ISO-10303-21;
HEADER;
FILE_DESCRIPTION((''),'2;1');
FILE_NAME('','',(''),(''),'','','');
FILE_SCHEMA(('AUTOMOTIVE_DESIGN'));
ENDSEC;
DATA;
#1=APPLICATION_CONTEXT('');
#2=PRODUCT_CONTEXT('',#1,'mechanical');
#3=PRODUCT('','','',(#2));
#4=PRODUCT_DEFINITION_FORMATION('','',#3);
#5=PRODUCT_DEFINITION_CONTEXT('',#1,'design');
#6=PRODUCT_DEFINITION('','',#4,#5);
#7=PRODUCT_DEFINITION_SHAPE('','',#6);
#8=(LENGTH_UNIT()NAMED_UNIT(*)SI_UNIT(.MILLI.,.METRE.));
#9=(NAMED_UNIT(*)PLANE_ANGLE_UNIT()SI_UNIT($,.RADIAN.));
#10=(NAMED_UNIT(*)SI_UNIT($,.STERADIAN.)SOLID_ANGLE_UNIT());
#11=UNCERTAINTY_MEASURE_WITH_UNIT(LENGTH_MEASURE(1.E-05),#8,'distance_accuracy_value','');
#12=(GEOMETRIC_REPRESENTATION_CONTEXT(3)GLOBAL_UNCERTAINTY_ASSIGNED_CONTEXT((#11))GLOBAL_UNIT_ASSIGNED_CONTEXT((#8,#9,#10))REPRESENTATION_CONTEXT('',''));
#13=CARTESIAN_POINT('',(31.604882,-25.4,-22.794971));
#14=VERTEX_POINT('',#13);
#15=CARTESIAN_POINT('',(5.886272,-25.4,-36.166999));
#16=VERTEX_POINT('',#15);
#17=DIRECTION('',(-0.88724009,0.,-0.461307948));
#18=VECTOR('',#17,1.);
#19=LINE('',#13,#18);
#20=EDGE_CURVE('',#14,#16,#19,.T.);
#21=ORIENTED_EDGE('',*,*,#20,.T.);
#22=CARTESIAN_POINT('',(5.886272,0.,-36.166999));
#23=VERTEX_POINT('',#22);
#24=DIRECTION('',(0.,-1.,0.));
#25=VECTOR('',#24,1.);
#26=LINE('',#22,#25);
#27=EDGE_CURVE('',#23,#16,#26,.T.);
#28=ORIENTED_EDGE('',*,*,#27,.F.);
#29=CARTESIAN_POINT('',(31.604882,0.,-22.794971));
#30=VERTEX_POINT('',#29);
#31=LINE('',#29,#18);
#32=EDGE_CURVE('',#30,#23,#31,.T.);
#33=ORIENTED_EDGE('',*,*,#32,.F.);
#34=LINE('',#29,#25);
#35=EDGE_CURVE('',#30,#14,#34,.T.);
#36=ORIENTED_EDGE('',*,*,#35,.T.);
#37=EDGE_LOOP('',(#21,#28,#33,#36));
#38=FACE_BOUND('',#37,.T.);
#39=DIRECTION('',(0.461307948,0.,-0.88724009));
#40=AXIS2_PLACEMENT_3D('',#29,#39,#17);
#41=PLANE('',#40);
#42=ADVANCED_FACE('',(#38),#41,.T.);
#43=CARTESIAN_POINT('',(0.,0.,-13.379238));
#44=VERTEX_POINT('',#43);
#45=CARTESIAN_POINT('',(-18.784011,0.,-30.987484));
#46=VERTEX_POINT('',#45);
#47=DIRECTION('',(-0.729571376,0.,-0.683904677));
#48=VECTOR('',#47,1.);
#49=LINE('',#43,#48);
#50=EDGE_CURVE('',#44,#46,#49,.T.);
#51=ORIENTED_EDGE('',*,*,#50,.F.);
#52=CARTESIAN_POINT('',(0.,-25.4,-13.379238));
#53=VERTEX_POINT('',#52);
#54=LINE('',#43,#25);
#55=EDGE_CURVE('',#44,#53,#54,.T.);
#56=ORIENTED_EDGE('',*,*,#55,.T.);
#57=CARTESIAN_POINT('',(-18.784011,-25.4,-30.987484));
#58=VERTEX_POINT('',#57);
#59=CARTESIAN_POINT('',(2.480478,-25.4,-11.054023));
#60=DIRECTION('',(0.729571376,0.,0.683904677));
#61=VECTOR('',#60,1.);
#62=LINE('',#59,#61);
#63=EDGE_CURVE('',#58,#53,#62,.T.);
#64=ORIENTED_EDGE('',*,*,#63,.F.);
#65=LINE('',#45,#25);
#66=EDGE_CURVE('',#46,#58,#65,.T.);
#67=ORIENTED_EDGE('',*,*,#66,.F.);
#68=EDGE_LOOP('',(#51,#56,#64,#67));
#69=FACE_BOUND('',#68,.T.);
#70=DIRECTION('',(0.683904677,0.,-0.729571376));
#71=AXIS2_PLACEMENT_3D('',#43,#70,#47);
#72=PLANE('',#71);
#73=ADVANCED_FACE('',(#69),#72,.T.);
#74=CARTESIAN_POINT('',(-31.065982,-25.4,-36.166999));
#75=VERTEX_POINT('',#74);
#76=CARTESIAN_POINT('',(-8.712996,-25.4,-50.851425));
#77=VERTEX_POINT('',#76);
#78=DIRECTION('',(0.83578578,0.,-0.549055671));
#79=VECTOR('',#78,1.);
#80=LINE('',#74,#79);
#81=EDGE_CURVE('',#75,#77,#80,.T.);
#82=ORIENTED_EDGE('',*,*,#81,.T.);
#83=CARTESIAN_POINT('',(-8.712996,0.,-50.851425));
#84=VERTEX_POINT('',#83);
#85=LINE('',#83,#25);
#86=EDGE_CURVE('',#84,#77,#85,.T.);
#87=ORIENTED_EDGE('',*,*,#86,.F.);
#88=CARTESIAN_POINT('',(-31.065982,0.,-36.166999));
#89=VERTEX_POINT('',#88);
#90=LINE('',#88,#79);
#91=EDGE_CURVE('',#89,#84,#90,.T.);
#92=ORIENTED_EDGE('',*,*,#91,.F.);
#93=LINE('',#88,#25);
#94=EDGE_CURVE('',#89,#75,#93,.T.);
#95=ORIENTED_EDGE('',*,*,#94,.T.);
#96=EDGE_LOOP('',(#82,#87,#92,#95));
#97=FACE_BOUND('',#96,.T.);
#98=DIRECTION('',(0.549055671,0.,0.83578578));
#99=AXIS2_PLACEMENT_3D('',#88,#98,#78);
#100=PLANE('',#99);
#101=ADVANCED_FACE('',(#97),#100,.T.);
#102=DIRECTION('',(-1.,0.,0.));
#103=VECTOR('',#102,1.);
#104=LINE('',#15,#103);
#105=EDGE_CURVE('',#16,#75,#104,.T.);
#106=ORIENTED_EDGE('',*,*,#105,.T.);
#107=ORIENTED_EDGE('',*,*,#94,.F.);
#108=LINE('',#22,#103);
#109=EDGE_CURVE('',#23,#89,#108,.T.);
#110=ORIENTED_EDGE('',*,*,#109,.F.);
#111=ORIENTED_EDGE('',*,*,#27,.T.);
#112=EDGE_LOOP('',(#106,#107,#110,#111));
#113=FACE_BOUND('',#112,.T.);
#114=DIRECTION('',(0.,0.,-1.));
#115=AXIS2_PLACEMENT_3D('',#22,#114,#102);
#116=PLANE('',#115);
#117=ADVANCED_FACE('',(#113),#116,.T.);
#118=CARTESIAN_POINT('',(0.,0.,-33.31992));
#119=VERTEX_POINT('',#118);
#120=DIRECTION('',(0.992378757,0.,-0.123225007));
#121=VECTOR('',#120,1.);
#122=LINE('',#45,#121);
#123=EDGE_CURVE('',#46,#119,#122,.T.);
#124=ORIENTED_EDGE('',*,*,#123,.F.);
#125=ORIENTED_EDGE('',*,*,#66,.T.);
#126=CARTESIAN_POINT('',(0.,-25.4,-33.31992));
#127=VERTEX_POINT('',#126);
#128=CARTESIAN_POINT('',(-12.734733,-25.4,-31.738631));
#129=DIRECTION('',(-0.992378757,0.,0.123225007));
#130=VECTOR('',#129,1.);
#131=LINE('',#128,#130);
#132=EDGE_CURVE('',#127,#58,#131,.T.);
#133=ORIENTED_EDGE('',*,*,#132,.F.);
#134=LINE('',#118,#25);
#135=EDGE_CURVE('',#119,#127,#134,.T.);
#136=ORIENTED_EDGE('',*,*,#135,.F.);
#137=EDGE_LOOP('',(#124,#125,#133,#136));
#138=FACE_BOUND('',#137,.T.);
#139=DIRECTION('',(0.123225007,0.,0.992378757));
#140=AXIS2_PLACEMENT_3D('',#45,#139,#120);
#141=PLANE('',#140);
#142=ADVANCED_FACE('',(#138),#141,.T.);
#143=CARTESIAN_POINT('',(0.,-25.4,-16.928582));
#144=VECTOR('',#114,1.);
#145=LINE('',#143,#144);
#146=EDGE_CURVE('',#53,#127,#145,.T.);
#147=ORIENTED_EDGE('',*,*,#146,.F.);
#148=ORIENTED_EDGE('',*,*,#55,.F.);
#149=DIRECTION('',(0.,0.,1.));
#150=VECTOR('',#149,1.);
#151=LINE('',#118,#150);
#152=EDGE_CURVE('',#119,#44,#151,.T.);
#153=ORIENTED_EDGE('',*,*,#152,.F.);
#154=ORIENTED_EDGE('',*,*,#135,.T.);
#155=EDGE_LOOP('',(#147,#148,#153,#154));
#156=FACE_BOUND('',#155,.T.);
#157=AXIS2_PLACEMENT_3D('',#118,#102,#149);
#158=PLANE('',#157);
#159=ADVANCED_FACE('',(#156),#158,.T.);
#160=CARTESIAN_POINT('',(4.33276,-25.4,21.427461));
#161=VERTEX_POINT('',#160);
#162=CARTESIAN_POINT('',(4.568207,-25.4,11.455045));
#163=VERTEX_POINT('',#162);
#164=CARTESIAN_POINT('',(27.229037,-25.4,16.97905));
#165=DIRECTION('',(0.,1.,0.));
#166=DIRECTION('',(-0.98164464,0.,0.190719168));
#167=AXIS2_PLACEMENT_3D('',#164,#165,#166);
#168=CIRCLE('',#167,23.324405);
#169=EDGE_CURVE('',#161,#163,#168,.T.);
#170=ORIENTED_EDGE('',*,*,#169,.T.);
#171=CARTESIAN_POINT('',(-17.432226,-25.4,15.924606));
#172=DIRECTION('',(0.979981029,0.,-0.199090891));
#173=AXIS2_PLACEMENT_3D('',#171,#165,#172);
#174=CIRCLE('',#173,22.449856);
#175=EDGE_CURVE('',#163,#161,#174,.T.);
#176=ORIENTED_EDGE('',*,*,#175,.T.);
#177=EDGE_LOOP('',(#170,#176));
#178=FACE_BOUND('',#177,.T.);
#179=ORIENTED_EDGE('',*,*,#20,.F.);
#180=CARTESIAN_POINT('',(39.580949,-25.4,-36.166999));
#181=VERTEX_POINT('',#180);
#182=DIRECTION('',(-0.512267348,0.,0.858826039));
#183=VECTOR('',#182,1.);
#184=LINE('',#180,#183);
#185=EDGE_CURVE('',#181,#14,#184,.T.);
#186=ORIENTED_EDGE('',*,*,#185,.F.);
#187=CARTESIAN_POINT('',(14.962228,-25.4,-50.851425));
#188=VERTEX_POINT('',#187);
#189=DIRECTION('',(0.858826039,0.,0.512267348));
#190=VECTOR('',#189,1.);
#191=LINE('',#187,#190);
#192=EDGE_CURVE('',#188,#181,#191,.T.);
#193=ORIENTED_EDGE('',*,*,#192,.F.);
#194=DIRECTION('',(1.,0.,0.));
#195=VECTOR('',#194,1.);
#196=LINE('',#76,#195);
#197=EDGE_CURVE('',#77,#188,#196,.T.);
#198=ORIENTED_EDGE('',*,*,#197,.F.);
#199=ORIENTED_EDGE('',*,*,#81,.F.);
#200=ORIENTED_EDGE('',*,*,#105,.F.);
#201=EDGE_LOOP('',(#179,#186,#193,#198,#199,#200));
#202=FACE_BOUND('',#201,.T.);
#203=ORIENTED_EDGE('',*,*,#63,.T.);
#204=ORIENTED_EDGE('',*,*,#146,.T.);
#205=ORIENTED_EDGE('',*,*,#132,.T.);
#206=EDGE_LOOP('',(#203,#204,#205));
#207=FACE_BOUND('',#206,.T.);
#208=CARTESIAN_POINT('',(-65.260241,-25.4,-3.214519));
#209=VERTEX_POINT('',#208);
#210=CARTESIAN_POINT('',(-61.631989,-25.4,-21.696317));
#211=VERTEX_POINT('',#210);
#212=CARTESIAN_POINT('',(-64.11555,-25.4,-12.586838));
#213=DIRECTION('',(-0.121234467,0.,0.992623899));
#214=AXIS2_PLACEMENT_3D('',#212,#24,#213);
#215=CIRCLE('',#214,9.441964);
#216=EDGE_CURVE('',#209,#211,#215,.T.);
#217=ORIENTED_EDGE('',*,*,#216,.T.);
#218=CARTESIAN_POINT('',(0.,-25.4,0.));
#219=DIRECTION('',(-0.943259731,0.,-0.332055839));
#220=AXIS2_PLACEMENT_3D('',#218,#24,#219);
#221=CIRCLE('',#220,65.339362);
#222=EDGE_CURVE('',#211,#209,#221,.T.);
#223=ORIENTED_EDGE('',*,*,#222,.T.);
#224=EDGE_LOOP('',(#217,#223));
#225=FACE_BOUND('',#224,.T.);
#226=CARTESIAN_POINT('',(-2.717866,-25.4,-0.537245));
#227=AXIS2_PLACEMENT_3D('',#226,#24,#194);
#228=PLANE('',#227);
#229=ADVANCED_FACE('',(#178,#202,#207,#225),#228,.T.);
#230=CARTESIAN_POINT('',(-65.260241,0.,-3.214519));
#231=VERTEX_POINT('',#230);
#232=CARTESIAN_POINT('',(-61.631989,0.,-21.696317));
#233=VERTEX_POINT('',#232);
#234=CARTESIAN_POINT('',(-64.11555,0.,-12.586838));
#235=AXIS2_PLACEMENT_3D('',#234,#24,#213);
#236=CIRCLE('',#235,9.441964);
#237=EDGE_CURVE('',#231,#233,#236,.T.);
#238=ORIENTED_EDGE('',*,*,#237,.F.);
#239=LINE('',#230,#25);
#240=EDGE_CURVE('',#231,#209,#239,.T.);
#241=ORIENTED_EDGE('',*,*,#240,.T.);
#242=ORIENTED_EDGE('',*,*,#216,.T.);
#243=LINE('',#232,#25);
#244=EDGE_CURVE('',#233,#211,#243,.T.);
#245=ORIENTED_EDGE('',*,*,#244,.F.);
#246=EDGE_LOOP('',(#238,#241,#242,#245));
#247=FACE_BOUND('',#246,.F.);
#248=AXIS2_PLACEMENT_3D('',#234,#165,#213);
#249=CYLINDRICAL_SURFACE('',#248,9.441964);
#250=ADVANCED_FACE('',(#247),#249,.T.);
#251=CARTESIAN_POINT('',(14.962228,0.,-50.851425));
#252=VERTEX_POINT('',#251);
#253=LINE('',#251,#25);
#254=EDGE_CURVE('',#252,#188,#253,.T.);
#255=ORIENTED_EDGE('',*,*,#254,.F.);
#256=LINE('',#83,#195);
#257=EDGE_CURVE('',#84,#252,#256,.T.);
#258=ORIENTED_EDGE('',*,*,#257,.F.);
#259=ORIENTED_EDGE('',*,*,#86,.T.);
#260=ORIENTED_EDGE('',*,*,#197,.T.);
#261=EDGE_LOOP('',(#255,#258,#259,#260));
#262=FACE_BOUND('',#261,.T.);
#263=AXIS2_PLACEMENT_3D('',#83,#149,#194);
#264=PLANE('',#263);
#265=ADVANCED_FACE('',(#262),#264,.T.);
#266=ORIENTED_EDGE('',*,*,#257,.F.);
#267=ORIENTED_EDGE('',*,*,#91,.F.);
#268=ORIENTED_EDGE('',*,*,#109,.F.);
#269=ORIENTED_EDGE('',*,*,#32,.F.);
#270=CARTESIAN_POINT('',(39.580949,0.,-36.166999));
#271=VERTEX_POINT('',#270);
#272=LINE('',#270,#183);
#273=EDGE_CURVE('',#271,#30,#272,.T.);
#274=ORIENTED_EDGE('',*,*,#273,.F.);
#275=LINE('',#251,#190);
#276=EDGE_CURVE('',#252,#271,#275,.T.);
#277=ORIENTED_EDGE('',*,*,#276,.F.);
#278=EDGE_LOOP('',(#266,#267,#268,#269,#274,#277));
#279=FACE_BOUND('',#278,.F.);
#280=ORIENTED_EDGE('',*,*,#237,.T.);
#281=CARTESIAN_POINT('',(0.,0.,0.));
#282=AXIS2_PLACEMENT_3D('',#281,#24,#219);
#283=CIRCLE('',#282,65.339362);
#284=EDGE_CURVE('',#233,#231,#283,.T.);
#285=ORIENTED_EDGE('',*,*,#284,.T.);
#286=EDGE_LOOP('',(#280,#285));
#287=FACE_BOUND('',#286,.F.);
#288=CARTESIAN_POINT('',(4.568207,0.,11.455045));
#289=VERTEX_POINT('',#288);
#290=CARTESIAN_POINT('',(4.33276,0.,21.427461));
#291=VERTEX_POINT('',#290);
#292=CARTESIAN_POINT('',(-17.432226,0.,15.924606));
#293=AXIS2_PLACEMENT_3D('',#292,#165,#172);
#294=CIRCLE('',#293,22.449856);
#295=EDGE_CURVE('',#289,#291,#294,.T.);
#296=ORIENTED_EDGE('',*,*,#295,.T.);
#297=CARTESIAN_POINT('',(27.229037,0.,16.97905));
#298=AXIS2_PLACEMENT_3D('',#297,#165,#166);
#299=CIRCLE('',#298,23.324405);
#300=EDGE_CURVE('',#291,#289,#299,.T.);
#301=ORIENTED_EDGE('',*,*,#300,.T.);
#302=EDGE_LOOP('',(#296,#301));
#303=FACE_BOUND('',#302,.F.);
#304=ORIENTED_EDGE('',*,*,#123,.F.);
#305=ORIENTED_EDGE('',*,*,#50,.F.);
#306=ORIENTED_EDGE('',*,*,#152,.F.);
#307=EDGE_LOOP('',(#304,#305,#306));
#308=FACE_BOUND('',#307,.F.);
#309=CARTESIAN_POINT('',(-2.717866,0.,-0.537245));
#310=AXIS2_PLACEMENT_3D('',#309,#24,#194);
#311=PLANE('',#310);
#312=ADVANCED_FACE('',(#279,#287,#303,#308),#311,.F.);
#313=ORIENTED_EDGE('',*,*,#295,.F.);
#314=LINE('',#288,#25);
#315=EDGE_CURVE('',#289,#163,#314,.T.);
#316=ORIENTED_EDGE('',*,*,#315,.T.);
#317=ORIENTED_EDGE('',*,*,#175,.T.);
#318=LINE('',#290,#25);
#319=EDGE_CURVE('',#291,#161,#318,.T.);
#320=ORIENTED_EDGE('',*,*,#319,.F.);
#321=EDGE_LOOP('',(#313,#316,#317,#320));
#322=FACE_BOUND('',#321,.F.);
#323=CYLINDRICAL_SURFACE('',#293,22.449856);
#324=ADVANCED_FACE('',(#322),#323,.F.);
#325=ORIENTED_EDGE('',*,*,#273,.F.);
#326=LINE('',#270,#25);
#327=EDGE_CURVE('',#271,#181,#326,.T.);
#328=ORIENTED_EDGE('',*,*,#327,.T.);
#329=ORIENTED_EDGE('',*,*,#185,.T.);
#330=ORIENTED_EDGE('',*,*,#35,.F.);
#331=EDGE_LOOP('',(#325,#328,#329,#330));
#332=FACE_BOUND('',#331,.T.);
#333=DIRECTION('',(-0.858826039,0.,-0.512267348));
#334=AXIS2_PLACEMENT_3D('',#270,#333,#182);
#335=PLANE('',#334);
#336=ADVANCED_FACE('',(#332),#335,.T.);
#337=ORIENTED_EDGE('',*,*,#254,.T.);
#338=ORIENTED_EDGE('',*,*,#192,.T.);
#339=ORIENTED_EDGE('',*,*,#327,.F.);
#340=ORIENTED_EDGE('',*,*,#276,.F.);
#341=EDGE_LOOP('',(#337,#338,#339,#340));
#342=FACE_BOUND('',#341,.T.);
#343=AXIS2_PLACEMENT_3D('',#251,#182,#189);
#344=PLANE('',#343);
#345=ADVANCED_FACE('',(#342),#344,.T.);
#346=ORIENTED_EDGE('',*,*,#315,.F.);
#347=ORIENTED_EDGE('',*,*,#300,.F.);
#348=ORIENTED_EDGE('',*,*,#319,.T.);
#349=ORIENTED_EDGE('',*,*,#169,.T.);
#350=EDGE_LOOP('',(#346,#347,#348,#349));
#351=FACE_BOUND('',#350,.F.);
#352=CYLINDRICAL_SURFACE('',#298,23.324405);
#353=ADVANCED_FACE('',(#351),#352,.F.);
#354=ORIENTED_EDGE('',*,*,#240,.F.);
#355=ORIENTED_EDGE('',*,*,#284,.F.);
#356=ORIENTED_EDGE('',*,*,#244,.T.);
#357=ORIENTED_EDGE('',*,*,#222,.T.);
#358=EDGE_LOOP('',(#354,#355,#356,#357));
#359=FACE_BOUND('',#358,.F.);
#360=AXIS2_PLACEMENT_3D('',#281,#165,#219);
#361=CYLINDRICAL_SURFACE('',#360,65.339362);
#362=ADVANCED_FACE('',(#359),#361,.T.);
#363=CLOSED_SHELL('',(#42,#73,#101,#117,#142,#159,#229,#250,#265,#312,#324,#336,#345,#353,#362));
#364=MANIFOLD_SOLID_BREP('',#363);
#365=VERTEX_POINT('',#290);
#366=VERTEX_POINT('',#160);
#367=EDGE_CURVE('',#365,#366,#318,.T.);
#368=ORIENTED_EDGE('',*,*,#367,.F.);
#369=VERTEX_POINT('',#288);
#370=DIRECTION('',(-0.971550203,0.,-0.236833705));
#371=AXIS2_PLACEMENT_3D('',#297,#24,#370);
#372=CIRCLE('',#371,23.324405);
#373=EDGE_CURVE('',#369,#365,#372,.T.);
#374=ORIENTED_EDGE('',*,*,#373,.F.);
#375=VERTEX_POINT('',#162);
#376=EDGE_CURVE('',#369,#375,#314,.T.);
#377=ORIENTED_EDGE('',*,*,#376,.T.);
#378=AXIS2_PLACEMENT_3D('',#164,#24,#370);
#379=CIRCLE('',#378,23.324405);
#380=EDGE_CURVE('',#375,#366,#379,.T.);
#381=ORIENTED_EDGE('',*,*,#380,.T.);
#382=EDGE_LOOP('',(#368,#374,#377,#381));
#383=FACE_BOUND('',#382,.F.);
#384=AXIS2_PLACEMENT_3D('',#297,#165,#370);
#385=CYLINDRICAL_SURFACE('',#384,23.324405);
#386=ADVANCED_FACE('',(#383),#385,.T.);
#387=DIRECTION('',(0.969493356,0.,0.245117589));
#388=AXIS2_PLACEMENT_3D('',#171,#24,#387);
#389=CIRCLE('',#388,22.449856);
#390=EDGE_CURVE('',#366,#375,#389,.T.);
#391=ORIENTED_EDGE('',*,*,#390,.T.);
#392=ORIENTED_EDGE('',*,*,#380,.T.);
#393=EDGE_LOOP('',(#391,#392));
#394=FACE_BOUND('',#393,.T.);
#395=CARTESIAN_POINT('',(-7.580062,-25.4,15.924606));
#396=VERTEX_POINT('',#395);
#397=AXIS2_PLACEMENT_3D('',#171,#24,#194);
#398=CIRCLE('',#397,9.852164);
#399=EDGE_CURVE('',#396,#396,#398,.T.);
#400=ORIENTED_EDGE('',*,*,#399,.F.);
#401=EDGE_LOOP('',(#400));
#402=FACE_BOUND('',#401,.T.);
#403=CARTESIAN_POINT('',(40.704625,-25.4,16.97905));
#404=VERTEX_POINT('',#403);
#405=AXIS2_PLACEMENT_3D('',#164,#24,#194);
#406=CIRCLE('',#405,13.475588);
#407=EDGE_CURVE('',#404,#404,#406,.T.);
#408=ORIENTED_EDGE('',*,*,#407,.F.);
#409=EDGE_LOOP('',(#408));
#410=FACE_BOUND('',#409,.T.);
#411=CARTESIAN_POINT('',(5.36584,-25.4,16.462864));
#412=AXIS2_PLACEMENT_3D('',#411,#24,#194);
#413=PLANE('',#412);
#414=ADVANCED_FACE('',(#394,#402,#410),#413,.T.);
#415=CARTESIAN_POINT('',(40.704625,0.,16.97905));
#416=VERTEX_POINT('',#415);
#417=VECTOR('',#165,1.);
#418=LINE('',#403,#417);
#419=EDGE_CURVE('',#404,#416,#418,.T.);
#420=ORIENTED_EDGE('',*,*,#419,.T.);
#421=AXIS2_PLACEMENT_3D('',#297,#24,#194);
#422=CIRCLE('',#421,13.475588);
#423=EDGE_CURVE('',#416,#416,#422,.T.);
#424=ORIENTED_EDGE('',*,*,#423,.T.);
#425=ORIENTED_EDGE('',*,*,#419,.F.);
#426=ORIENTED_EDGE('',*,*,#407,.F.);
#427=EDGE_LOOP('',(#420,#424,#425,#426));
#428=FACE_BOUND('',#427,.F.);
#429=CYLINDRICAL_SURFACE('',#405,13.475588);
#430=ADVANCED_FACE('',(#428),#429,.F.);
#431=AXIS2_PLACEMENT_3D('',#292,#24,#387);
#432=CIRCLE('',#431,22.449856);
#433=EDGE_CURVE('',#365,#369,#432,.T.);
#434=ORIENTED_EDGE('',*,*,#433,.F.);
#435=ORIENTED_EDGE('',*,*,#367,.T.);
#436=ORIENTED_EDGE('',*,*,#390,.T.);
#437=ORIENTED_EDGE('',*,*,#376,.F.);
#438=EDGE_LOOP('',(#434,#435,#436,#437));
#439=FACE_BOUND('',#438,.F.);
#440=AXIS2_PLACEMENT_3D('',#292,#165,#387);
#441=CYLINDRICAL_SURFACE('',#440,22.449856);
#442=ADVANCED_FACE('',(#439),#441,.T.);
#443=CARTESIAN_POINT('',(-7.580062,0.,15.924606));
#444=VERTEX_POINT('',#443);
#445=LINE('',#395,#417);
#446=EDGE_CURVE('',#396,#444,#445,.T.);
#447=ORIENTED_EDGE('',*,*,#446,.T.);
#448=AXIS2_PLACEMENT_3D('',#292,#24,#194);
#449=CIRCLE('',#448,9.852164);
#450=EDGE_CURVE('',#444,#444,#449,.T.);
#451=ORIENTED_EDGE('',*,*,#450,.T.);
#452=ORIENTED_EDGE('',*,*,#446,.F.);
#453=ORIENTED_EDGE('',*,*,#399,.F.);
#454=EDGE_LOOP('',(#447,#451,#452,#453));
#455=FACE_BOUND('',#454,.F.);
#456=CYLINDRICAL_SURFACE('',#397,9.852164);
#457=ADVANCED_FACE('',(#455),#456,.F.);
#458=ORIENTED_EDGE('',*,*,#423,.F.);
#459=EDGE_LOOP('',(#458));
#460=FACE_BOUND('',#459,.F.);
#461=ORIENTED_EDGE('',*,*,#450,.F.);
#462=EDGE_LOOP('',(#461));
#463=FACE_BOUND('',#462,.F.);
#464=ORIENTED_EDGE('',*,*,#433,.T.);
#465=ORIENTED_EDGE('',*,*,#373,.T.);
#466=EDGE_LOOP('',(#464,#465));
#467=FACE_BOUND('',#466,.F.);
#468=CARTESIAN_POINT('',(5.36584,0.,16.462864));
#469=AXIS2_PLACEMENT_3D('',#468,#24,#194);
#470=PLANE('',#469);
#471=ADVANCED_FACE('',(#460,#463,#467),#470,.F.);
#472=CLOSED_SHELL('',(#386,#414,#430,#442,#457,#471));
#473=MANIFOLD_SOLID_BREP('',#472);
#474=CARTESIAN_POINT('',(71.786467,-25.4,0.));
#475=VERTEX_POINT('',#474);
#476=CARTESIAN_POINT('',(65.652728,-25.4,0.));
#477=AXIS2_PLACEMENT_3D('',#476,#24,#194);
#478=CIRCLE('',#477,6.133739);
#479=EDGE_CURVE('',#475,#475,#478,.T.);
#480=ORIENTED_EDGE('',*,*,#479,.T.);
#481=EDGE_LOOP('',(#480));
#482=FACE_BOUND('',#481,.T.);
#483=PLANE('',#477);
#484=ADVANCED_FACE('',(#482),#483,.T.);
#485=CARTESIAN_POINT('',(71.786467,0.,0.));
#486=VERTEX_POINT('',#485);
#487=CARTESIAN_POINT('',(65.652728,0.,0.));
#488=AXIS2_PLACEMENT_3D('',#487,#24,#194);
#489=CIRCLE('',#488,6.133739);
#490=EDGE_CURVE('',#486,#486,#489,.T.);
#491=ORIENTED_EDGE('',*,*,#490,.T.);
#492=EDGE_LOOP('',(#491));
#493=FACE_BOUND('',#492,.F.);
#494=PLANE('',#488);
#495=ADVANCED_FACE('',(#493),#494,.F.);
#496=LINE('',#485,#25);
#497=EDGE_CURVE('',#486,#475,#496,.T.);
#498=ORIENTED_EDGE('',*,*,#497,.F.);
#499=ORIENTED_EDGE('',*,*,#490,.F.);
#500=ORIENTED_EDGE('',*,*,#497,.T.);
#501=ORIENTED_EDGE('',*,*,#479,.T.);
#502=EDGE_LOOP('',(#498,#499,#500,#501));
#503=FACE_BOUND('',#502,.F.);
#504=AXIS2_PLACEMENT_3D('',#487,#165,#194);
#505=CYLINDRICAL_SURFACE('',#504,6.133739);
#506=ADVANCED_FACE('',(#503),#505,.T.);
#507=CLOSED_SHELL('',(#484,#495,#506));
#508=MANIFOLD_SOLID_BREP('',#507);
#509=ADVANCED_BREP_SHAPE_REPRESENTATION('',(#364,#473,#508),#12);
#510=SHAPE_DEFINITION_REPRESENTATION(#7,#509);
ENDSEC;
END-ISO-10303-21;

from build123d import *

# Parameters (mm, degrees)
F4_DEPTH  = 25.4
F1_R      = 6.1337389696
F5_R      = 9.8521642479
F5_R_2    = 13.4755875588
F6_DEPTH  = 50.8
F8_DEPTH  = 50.8
F10_DEPTH = 25.4


with BuildPart() as f4:
    # F0 (on Front) → F4 (new body)
    with BuildSketch(Plane.XZ):
        with BuildLine():
            ThreePointArc((-61.6319889699, -21.6963166615), (11.0053938043, -64.4058501091), (65.3393619578, 0))
            ThreePointArc((65.3393619578, 0), (-1.6077464964, 65.319578782), (-65.2602412343, -3.2145194194))
            ThreePointArc((-65.2602412343, -3.2145194194), (-57.8568542521, -5.5172266933), (-54.6735863066, -12.5868380535))
            ThreePointArc((-54.6735863066, -12.5868380535), (-56.6122050352, -18.3183729294), (-61.6319889699, -21.6963166615))
        make_face()
        Polygon((-18.7840107828, -30.9874843806), (0, -13.3792376146), (0, -33.3199203014), align=None, mode=Mode.SUBTRACT)
        with BuildLine():
            ThreePointArc((4.5682068913, 11.4550446749), (-39.8758272282, 15.3947175672), (4.3327601519, 21.427460987))
            ThreePointArc((4.3327601519, 21.427460987), (29.4635200031, 40.1961760553), (50.5534419729, 16.9790498912))
            ThreePointArc((50.5534419729, 16.9790498912), (30.0108964453, -6.1788671089), (4.5682068913, 11.4550446749))
        make_face(mode=Mode.SUBTRACT)
        with BuildLine():
            ThreePointArc((-61.6319889699, -21.6963166615), (-64.1155498212, -12.5868380535), (-65.2602412343, -3.2145194194))
            ThreePointArc((-65.2602412343, -3.2145194194), (-73.3806645084, -14.4057181605), (-61.6319889699, -21.6963166615))
        make_face()
        with BuildLine():
            ThreePointArc((-54.6735863066, -12.5868380535), (-57.8568542521, -5.5172266933), (-65.2602412343, -3.2145194194))
            ThreePointArc((-65.2602412343, -3.2145194194), (-64.1155498212, -12.5868380535), (-61.6319889699, -21.6963166615))
            ThreePointArc((-61.6319889699, -21.6963166615), (-56.6122050352, -18.3183729294), (-54.6735863066, -12.5868380535))
        make_face()
        Polygon((0, -33.3199203014), (0, -13.3792376146), (-18.7840107828, -30.9874843806), align=None)
    extrude(amount=F4_DEPTH)

    # F3 (on face) → F8 (cut)
    with BuildSketch(Plane.XZ):
        Polygon((0, -13.3792376146), (-18.7840107828, -30.9874843806), (0, -33.3199203014), align=None)
    extrude(amount=F8_DEPTH, mode=Mode.SUBTRACT)

    # F9 (on face) → F10 (cut)
    with BuildSketch(Plane.XZ):
        Polygon((39.5809486508, -36.1669994891), (31.6048823297, -22.7949712425), (5.886271596, -36.1669994891), (-18.26203987, -36.1669994891), (-31.0659818351, -36.1669994891), (-8.7129957974, -50.8514246749), (14.9622280356, -50.8514246749), align=None)
    extrude(amount=F10_DEPTH, mode=Mode.SUBTRACT)


with BuildPart() as f4b:
    # F1 (on Front) → F4, piece 2 (new body)
    with BuildSketch(Plane.XZ):
        with Locations((65.6527280807, 0)):
            Circle(F1_R)
    extrude(amount=F4_DEPTH)


with BuildPart() as f4c:
    # F2 (on face) → F4, piece 3 (new body)
    with BuildSketch(Plane.XZ):
        with BuildLine():
            ThreePointArc((4.3327601519, 21.427460987), (-39.8758272282, 15.3947175672), (4.5682068913, 11.4550446749))
            ThreePointArc((4.5682068913, 11.4550446749), (30.0108964453, -6.1788671089), (50.5534419729, 16.9790498912))
            ThreePointArc((50.5534419729, 16.9790498912), (29.4635200031, 40.1961760553), (4.3327601519, 21.427460987))
        make_face()
    extrude(amount=F4_DEPTH)

    # F5 (on face) → F6 (cut)
    with BuildSketch(Plane.XZ.offset(25.4)):
        with Locations((-17.4322258681, 15.9246064723)):
            Circle(F5_R)
        with Locations((27.2290371358, 16.9790498912)):
            Circle(F5_R_2)
    extrude(amount=-F6_DEPTH, mode=Mode.SUBTRACT)


solid = Compound([f4.part, f4b.part, f4c.part])
